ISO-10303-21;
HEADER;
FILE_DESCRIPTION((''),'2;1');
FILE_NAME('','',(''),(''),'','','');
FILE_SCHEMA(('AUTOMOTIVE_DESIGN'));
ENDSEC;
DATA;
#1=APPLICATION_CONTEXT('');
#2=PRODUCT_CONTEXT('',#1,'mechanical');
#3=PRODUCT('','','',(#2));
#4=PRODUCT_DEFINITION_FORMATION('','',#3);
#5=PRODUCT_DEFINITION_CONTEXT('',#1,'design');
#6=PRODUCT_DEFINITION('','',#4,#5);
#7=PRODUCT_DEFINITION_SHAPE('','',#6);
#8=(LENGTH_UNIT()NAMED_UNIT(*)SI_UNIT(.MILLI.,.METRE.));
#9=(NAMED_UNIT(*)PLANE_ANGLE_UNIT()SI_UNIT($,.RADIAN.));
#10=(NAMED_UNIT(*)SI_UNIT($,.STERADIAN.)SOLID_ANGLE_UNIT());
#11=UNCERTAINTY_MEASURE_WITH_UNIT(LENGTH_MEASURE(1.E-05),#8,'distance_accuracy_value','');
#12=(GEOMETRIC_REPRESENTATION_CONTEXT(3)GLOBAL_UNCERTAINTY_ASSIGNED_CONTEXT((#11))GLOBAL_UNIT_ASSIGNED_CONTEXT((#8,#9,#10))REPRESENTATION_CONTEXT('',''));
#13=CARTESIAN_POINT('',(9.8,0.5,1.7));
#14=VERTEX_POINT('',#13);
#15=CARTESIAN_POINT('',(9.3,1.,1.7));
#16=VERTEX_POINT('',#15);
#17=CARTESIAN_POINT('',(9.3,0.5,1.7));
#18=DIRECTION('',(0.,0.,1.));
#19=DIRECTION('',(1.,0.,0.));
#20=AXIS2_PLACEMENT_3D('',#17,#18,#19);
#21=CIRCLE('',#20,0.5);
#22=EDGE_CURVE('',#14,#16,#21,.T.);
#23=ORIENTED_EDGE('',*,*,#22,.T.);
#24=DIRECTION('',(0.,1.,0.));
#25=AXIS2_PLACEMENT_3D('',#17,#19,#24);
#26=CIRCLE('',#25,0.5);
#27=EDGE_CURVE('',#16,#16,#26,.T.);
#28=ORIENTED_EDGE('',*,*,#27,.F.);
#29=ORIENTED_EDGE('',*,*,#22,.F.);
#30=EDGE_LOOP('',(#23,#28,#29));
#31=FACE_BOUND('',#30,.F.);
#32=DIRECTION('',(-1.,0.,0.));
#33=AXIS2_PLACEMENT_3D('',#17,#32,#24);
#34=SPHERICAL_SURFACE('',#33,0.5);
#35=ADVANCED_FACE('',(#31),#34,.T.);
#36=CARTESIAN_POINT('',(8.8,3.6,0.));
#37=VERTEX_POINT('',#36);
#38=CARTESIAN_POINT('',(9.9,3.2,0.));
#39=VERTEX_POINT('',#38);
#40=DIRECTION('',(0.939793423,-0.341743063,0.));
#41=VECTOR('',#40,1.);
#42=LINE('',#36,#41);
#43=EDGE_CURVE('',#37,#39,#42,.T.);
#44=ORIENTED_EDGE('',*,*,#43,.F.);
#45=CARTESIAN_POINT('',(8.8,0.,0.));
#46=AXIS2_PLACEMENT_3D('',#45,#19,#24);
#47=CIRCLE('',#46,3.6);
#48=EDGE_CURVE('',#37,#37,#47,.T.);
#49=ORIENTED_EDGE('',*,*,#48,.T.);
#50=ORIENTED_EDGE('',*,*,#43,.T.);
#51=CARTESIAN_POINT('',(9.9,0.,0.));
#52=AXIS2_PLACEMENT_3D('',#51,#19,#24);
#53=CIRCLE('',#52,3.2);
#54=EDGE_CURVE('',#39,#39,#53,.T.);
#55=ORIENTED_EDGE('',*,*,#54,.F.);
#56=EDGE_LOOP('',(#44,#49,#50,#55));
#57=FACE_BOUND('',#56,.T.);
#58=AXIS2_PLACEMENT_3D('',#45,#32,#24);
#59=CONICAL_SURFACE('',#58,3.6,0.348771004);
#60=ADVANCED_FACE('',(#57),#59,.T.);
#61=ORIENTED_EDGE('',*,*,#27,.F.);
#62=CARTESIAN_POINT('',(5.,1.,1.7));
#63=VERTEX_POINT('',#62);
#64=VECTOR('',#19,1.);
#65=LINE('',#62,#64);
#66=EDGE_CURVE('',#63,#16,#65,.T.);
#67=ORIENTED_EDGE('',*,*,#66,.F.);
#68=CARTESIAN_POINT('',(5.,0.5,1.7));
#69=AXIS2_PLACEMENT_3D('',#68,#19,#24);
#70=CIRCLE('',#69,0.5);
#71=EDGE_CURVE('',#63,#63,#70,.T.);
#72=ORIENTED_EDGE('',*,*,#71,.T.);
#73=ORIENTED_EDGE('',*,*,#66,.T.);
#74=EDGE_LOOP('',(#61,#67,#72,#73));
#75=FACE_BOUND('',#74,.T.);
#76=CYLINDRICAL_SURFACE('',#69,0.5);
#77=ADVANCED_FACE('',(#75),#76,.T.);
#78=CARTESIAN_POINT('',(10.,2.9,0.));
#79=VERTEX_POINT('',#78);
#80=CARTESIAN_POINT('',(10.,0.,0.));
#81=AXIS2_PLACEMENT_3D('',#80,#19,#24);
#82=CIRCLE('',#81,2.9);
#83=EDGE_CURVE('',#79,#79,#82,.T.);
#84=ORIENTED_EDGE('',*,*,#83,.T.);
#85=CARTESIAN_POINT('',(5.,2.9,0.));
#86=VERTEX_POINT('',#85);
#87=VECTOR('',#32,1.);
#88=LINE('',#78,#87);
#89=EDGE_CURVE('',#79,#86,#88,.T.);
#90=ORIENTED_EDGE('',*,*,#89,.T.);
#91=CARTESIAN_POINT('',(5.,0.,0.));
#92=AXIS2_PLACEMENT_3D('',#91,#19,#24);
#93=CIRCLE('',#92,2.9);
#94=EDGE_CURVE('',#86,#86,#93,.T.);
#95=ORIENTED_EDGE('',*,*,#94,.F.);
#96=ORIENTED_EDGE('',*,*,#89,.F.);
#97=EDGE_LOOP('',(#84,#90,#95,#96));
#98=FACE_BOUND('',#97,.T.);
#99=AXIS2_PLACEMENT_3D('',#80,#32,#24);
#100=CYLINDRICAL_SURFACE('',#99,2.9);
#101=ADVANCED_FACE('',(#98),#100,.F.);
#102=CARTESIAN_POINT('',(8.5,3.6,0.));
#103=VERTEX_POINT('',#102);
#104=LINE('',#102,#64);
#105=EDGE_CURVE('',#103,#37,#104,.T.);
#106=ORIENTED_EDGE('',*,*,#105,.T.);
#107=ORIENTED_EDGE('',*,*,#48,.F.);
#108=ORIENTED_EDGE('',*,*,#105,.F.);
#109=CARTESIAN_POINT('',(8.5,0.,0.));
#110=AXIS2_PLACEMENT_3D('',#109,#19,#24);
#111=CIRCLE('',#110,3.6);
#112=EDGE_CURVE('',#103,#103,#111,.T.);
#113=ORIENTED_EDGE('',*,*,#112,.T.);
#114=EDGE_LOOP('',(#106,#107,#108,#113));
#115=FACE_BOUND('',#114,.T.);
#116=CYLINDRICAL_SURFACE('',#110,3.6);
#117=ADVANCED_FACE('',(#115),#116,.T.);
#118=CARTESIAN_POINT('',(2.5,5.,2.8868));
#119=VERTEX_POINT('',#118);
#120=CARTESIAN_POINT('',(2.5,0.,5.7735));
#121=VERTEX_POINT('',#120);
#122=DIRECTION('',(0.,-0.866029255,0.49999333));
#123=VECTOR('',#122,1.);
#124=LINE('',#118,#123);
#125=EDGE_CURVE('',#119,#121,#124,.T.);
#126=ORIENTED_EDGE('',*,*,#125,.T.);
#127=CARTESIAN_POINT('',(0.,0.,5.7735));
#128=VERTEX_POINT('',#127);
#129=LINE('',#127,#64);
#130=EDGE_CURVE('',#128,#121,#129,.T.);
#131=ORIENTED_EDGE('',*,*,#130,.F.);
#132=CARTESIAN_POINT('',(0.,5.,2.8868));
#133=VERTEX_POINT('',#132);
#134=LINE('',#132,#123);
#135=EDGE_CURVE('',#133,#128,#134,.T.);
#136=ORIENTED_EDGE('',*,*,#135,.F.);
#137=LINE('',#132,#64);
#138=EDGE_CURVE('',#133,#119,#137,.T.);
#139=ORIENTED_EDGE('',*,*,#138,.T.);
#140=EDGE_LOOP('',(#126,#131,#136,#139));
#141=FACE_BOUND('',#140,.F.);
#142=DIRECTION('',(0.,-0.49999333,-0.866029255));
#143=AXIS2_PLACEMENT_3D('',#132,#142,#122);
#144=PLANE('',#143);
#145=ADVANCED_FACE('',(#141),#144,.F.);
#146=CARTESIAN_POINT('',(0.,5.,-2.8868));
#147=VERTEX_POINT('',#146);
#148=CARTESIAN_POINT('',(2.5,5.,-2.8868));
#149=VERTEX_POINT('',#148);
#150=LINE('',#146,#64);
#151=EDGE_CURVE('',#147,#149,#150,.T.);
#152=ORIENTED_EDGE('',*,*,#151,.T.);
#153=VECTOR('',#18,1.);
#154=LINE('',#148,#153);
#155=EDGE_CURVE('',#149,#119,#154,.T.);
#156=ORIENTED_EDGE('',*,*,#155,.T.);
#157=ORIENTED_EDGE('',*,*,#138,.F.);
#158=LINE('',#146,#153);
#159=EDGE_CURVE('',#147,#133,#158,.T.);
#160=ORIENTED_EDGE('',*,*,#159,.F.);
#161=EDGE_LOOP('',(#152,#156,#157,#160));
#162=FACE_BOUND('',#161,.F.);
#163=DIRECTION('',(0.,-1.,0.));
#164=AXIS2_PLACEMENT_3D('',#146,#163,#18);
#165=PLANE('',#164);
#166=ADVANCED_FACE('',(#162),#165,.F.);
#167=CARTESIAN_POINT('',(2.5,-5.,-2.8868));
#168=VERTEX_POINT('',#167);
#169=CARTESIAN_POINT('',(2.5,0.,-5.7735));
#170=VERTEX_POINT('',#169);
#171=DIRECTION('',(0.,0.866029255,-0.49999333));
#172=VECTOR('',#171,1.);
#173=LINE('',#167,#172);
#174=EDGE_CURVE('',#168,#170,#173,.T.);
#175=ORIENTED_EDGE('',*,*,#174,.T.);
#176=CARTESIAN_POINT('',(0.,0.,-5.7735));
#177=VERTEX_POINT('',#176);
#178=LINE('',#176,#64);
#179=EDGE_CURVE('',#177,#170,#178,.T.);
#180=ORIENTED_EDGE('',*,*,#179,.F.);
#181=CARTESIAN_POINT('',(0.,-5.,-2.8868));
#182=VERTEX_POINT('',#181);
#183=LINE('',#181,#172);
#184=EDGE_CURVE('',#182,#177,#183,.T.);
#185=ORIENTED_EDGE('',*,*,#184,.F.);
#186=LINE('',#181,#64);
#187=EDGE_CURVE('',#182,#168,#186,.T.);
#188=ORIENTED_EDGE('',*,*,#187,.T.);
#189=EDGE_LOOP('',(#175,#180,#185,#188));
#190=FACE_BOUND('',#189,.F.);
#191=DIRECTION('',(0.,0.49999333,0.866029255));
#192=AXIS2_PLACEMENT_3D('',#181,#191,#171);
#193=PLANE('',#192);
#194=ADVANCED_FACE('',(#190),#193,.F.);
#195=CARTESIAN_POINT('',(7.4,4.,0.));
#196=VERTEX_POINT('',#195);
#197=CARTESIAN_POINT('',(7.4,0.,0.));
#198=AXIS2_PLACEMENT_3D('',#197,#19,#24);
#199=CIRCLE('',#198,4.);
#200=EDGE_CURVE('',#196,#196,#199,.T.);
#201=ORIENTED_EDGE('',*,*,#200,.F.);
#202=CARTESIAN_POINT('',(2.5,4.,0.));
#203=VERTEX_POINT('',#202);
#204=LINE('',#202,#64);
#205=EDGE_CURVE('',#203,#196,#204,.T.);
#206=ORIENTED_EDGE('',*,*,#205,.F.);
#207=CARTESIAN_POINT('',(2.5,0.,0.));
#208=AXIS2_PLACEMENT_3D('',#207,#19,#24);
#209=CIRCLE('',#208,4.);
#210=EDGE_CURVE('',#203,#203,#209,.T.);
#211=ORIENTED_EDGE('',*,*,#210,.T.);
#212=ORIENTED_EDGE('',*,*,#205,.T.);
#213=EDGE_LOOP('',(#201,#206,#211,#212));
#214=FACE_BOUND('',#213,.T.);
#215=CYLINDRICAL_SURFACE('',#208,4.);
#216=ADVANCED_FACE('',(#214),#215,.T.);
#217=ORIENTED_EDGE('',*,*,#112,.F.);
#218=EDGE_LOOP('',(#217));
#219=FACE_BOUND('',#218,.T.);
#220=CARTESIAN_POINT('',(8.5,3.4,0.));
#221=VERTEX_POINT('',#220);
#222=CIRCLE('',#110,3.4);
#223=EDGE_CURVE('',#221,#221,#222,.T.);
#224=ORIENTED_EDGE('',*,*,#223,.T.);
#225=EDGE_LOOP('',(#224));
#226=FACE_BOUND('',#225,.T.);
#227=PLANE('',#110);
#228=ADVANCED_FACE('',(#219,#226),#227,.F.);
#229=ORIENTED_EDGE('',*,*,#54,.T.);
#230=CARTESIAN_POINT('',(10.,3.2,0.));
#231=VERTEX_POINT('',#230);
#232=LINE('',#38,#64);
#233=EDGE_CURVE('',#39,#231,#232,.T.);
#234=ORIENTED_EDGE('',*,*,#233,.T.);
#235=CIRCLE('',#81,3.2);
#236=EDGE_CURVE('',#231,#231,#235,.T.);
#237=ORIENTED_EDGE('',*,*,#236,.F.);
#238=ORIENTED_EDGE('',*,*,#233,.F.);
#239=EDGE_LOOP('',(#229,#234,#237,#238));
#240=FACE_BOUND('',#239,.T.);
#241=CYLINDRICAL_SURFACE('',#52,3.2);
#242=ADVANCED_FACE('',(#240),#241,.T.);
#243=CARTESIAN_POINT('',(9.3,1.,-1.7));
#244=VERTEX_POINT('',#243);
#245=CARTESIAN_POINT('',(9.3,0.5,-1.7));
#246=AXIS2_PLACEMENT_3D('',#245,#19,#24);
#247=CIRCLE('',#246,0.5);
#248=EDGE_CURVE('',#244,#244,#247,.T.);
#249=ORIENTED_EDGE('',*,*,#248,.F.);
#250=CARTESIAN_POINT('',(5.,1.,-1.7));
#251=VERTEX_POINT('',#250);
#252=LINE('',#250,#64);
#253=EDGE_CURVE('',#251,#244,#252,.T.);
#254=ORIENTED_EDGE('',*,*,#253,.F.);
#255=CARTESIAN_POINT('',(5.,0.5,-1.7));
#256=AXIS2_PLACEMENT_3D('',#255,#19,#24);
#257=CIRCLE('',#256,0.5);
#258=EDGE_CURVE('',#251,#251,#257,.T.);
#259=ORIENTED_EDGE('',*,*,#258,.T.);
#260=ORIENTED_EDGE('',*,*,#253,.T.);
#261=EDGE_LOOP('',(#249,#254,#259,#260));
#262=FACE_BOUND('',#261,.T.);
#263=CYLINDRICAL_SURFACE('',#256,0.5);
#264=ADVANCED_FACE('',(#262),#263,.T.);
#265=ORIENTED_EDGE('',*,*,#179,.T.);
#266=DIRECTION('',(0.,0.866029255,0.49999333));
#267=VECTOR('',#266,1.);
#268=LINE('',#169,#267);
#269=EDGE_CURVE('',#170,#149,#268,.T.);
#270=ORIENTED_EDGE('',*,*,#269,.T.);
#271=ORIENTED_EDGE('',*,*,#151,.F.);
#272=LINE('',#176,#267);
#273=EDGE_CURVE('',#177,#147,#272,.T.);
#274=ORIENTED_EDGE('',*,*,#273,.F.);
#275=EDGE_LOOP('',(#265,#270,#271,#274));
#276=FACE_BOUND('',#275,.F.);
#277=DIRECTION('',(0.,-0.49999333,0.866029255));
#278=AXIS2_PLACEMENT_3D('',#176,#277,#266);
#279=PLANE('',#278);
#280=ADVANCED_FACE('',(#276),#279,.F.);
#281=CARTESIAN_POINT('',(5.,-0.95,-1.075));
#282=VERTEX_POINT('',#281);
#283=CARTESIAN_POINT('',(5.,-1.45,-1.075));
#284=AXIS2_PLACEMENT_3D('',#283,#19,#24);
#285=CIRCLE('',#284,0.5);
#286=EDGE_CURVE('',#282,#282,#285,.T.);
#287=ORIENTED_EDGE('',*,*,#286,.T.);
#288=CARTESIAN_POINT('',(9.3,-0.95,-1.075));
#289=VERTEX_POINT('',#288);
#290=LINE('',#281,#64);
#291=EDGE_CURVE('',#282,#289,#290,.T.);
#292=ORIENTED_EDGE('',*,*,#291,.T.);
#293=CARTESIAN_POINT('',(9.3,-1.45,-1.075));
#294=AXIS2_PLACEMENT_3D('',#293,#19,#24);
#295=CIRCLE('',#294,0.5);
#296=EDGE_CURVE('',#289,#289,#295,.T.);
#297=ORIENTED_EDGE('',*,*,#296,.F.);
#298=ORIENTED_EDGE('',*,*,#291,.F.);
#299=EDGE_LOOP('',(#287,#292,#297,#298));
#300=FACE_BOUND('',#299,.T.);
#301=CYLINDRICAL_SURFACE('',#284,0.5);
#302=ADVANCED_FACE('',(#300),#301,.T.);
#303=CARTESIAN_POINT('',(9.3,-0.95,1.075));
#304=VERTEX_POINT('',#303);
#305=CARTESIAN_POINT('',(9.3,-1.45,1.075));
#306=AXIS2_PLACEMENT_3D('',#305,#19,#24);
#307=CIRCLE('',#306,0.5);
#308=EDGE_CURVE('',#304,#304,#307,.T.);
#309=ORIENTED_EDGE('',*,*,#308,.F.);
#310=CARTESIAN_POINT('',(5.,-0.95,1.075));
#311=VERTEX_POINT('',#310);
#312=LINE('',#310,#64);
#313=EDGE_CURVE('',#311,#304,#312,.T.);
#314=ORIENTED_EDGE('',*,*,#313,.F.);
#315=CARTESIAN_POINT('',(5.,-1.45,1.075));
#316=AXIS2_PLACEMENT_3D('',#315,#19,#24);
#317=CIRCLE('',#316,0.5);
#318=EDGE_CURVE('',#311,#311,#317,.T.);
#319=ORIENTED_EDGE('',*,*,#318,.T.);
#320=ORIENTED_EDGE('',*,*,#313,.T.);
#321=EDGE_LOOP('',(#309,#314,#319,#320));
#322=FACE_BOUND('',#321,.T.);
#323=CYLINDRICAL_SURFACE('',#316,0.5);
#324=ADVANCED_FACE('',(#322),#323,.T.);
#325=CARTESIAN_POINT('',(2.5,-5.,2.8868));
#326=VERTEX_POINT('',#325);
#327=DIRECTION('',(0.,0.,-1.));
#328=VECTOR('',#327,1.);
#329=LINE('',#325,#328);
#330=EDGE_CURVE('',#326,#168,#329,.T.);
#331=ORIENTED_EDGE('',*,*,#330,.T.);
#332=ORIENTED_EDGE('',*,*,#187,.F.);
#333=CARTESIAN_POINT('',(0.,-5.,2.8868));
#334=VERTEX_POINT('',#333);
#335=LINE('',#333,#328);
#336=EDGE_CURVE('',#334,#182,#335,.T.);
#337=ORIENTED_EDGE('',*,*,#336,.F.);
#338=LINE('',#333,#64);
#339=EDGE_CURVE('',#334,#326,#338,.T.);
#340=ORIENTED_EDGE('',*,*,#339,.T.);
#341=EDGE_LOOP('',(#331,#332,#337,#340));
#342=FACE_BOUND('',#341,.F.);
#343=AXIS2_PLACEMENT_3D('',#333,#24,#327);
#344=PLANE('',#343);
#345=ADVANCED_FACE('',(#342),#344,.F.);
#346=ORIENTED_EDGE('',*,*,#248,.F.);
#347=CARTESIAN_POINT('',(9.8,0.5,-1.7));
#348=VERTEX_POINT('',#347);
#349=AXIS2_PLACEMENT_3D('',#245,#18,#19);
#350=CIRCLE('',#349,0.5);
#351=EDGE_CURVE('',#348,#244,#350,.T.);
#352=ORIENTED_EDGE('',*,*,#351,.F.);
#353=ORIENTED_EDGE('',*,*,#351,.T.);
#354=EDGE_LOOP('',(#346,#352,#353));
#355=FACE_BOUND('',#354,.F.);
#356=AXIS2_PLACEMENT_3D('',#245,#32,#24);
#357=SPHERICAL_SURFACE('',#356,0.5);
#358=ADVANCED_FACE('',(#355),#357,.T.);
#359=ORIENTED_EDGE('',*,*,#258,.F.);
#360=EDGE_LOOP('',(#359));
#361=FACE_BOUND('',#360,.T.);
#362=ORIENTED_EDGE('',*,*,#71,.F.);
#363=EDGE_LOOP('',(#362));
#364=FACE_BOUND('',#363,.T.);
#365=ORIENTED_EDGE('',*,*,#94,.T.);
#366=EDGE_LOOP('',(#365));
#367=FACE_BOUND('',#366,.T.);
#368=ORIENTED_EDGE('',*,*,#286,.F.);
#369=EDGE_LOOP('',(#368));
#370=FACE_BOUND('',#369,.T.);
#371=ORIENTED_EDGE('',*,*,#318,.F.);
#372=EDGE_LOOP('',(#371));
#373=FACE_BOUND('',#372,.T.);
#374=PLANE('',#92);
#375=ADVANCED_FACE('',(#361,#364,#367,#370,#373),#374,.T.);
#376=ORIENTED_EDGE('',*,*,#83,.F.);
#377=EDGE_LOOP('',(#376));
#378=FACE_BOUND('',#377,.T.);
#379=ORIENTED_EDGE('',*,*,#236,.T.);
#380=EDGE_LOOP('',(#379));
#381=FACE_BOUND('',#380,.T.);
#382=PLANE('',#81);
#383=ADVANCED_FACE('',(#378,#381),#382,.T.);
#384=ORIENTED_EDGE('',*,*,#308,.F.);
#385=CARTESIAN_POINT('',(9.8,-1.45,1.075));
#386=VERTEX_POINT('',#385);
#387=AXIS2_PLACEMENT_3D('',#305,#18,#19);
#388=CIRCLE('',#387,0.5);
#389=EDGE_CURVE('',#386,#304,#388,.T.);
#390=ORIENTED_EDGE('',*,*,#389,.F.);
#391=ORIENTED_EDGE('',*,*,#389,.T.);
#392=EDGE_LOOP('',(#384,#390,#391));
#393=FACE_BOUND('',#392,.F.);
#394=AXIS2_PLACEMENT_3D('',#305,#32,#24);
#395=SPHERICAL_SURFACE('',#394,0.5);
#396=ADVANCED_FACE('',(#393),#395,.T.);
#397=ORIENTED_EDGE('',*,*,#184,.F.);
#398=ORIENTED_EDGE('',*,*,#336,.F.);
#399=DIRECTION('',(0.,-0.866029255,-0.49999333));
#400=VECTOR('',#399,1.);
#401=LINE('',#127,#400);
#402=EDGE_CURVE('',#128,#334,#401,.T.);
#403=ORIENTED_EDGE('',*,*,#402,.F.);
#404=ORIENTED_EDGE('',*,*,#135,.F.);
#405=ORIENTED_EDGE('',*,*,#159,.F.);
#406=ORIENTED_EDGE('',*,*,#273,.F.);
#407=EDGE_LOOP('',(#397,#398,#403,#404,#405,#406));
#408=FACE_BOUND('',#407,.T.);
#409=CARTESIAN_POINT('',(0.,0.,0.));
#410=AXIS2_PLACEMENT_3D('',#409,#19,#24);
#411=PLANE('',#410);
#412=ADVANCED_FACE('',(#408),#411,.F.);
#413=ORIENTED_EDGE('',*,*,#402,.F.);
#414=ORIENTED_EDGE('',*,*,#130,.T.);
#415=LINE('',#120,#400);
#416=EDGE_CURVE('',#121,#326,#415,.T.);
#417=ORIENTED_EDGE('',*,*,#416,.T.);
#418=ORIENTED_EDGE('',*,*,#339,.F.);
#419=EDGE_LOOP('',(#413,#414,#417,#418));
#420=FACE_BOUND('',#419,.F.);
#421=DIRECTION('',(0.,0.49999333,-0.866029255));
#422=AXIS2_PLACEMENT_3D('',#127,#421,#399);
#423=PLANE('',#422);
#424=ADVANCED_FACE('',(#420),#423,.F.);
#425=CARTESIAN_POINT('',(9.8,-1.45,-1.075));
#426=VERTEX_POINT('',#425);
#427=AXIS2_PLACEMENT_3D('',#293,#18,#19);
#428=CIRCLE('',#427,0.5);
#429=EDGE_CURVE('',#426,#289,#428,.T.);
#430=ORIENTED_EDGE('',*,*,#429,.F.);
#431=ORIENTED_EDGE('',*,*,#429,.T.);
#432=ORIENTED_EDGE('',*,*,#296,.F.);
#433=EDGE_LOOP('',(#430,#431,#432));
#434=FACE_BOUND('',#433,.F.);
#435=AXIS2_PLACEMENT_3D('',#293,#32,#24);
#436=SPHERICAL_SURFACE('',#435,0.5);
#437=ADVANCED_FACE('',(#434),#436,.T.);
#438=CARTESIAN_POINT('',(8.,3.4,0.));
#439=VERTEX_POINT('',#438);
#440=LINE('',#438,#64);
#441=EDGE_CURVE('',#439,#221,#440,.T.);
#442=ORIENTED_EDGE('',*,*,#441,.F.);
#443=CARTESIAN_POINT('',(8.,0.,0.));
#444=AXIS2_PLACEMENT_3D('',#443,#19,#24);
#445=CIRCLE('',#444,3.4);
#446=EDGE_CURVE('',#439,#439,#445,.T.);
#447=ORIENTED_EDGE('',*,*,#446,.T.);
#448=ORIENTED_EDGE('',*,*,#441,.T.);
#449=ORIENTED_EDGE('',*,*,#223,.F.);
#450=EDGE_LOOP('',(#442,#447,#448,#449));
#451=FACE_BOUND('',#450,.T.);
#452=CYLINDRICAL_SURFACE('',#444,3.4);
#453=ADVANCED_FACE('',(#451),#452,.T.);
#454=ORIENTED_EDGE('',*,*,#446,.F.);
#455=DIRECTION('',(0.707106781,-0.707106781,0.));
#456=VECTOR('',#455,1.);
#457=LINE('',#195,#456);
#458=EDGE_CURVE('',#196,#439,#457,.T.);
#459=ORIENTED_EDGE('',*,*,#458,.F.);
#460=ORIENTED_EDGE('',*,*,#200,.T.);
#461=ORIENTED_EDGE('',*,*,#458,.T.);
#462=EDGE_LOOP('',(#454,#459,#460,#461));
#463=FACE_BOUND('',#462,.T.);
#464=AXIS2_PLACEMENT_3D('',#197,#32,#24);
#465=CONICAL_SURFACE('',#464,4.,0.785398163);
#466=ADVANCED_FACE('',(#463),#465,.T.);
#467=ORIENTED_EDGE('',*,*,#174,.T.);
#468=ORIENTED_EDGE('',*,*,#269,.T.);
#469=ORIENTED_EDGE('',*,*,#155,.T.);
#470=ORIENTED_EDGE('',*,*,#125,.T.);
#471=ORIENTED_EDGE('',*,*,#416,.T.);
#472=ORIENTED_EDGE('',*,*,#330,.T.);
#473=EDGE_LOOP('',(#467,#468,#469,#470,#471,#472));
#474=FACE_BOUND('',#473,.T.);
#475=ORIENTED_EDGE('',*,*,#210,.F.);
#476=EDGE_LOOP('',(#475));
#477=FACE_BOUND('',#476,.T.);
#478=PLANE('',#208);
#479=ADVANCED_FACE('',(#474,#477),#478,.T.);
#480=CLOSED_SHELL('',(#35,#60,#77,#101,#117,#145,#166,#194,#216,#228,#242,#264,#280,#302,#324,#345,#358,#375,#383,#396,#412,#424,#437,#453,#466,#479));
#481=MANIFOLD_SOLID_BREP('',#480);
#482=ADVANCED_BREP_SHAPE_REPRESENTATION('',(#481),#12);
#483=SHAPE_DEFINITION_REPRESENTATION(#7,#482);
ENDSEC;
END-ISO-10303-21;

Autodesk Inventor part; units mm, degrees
sketch "Sketch_1" plane through (0, 0, 0) normal (0, 0, 1) x (1, 0, 0)
  line L0 (10, 0) -> (0, 0)
  line L1 (0, 0) -> (0, 6)
  line L2 (0, 6) -> (2.5, 6)
  line L3 (2.5, 6) -> (2.5, 4)
  line L4 (2.5, 4) -> (7.4, 4)
  line L5 (7.4, 4) -> (8, 3.4)
  line L6 (8, 3.4) -> (8.5, 3.4)
  line L7 (8.5, 3.4) -> (8.5, 3.6)
  line L8 (8.5, 3.6) -> (8.8, 3.6)
  line L9 (8.8, 3.6) -> (9.9, 3.2)
  line L10 (9.9, 3.2) -> (10, 3.2)
  line L11 (10, 3.2) -> (10, 2.9)
  line L12 (10, 2.9) -> (5, 2.9)
  line L13 (5, 2.9) -> (5, 0)
  line L14 (5, 0) -> (0, 0)
revolve "Revolution1" add sketch "Sketch_1" angle 360 about axis through (10, 0, 0) along (1, 0, 0)
sketch "Sketch_2" plane through (0, 0, 0) normal (1, 0, 0) x (0, 1, 0)
  circle A0 centre (0, 0) radius 20
  line L0 (0, 5.7735) -> (-5, 2.8868)
  line L1 (-5, 2.8868) -> (-5, -2.8868)
  line L2 (-5, -2.8868) -> (0, -5.7735)
  line L3 (0, -5.7735) -> (5, -2.8868)
  line L4 (5, -2.8868) -> (5, 2.8868)
  line L5 (5, 2.8868) -> (0, 5.7735)
extrude "Extrusion1" cut sketch "Sketch_2" along normal blind 2.5
sketch "Sketch_3" plane through (0, 0, 1.7) normal (0, 0, 1) x (1, 0, 0)
  line L0 (9.8, 0.5) -> (5, 0.5)
  line L1 (5, 0.5) -> (5, 1)
  line L2 (5, 1) -> (9.3, 1)
  arc A0 (9.8, 0.5) -> (9.3, 1) centre (9.3, 0.5) ccw
  line L3 (9.8, 0.5) -> (5, 0.5)
revolve "Revolution2" add sketch "Sketch_3" angle 360 about axis through (9.8, 0.5, 1.7) along (1, 0, 0)
sketch "Pins_SKETCH_1" plane through (0, 0, -1.7) normal (0, 0, 1) x (1, 0, 0)
  line L0 (9.8, 0.5) -> (5, 0.5)
  line L1 (5, 0.5) -> (5, 1)
  line L2 (5, 1) -> (9.3, 1)
  arc A0 (9.8, 0.5) -> (9.3, 1) centre (9.3, 0.5) ccw
  line L3 (9.8, 0.5) -> (5, 0.5)
sketch "Pins_SKETCH_2" plane through (0, -1.95, -1.075) normal (0, 0, 1) x (1, 0, 0)
  line L0 (9.8, 0.5) -> (5, 0.5)
  line L1 (5, 0.5) -> (5, 1)
  line L2 (5, 1) -> (9.3, 1)
  arc A0 (9.8, 0.5) -> (9.3, 1) centre (9.3, 0.5) ccw
  line L3 (9.8, 0.5) -> (5, 0.5)
sketch "Pins_SKETCH_3" plane through (0, -1.95, 1.075) normal (0, 0, 1) x (1, 0, 0)
  line L0 (9.8, 0.5) -> (5, 0.5)
  line L1 (5, 0.5) -> (5, 1)
  line L2 (5, 1) -> (9.3, 1)
  arc A0 (9.8, 0.5) -> (9.3, 1) centre (9.3, 0.5) ccw
  line L3 (9.8, 0.5) -> (5, 0.5)
revolve "Revolution3" add sketch "Pins_SKETCH_1" angle 360 about axis through (9.8, 0.5, -1.7) along (1, 0, 0)
revolve "Revolution4" add sketch "Pins_SKETCH_2" angle 360 about axis through (9.8, -1.45, -1.075) along (1, 0, 0)
revolve "Revolution5" add sketch "Pins_SKETCH_3" angle 360 about axis through (9.8, -1.45, 1.075) along (1, 0, 0)
ref_plane "GEH_XY" through (0, 0, 0) normal (1, 0, 0) x (0, 0, -1)
ref_plane "GEH_YZ" through (0, 0, 0) normal (0, 0, -1) x (0, 1, 0)
ref_plane "GEH_ZX" through (0, 0, 0) normal (0, 1, 0) x (1, 0, 0)
properties part number "SCHUNK-SNT016581 Stecker EGP"
